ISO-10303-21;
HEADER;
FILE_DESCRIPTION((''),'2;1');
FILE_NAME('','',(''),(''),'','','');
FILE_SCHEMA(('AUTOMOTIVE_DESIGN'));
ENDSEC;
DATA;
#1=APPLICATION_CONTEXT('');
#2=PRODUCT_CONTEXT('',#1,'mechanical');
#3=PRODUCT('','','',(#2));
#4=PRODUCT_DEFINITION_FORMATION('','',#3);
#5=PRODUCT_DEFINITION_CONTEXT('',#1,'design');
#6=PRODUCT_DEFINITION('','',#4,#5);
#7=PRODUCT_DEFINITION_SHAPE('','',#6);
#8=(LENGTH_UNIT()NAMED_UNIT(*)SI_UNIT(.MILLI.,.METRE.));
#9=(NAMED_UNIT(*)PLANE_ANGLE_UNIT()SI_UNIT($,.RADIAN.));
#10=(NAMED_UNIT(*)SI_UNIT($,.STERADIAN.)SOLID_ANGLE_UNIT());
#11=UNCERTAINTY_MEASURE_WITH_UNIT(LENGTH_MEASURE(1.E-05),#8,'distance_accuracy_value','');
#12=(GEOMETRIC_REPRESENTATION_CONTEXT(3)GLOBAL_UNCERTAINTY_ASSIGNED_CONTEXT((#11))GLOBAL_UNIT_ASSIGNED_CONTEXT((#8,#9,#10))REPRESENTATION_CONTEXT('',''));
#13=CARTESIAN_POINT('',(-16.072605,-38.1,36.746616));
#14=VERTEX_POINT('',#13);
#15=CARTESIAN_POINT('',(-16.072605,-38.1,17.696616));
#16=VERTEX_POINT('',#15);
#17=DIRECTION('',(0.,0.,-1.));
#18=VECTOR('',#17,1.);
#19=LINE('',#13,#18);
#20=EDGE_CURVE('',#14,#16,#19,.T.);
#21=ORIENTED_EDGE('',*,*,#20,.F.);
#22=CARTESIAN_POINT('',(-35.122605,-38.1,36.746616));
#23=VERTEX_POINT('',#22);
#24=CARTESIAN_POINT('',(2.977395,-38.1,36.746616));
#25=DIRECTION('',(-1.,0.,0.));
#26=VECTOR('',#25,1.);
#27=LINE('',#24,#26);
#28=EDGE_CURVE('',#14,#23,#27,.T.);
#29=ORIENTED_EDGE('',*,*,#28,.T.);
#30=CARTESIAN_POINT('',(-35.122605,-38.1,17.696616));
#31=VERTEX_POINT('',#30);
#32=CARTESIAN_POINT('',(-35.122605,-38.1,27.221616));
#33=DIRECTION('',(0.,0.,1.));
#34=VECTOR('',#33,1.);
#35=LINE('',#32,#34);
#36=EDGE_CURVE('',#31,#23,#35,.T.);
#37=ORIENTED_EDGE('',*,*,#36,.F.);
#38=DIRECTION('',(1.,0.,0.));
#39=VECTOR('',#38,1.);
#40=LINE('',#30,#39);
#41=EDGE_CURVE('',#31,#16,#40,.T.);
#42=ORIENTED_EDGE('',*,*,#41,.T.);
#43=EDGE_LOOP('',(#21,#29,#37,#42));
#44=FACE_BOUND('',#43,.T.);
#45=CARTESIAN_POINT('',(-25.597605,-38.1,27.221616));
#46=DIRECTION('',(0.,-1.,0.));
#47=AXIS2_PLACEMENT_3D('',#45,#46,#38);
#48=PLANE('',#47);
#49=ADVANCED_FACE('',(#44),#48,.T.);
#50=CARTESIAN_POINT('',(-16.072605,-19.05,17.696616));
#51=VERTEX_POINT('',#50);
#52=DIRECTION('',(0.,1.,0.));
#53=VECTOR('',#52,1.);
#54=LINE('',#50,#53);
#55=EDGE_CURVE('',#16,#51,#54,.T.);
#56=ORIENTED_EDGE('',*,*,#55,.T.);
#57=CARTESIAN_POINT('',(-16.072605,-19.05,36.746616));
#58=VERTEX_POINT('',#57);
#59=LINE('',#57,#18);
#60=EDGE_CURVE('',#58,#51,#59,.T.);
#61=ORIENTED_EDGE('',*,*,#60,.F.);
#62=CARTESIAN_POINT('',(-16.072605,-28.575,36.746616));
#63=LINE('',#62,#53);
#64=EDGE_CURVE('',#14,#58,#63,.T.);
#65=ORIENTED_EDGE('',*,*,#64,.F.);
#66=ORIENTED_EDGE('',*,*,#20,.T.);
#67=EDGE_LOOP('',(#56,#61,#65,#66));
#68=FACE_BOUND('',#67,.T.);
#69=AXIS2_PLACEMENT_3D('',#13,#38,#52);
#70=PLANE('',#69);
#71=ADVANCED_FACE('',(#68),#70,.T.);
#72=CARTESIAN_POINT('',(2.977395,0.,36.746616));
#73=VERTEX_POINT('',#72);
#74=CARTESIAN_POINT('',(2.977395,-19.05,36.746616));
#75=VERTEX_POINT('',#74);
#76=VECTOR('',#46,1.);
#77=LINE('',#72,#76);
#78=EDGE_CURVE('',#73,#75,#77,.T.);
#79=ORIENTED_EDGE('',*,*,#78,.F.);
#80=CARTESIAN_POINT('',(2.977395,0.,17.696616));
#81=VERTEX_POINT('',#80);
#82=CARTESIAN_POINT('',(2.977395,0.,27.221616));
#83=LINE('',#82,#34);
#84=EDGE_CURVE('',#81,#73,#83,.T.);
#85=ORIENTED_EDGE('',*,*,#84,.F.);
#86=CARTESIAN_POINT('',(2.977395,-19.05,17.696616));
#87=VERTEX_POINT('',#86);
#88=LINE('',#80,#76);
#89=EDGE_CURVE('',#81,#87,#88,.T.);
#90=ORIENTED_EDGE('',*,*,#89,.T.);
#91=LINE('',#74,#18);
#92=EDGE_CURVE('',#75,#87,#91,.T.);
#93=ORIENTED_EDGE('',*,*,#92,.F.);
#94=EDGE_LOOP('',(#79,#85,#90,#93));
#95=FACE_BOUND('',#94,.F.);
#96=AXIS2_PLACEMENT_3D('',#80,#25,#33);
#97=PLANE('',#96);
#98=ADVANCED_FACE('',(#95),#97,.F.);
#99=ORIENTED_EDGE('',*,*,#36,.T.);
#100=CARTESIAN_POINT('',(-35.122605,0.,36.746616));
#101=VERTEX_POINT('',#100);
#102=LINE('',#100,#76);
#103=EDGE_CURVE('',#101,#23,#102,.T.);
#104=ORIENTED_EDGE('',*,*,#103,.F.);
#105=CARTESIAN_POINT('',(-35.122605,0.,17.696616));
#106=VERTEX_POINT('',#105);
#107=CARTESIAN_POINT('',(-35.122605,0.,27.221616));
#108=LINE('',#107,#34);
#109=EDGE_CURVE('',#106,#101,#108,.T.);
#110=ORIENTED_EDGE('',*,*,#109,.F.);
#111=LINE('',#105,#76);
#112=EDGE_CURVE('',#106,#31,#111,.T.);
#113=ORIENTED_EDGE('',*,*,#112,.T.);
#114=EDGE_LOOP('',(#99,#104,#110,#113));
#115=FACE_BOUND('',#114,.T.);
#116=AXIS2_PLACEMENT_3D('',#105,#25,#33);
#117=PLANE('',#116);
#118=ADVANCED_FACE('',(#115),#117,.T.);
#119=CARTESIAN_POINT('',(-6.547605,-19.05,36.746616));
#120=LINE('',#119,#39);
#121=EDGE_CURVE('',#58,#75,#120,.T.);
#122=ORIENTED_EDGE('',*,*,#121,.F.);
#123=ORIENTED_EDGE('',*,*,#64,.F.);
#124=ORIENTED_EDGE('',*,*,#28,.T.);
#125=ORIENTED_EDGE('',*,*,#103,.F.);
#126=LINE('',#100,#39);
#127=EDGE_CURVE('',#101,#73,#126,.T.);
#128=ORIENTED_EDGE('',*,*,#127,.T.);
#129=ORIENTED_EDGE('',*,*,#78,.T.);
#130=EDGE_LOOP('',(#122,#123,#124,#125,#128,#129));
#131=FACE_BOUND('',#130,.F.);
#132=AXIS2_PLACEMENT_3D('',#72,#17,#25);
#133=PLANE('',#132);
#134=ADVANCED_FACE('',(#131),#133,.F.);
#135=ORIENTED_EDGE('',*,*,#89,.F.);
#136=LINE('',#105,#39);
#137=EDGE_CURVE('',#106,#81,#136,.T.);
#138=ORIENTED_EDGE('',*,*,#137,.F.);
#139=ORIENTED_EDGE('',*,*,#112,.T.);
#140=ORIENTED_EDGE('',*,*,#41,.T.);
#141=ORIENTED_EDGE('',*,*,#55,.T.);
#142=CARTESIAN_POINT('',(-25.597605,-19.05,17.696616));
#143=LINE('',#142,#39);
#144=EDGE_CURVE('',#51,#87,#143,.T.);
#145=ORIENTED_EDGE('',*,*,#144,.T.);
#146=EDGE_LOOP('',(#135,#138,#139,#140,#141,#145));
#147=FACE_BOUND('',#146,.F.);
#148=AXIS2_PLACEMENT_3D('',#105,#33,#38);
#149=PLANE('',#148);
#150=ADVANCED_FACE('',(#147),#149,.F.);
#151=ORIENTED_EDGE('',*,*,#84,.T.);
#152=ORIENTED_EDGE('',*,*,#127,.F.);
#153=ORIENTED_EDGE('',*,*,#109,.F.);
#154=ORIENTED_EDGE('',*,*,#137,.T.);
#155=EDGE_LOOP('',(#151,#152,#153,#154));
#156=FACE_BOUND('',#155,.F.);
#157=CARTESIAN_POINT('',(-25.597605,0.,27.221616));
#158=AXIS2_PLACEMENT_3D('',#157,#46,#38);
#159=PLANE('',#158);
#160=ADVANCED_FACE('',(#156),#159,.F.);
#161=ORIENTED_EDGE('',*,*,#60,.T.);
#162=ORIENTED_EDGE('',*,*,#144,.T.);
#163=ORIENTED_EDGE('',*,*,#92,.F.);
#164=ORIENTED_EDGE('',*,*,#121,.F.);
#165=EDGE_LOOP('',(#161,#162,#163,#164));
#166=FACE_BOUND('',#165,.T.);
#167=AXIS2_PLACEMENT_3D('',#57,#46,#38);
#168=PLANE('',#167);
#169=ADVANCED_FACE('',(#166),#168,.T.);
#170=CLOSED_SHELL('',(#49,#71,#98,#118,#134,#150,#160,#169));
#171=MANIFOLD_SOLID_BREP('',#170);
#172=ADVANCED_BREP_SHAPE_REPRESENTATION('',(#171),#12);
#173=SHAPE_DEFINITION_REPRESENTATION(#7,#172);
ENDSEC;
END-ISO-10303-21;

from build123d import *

# Parameters (mm, degrees)
F0_W     = 19.05
F0_H     = 19.05
F1_DEPTH = 38.1
F2_DEPTH = 19.05
F3_W     = 19.05
F3_H     = 19.05
F4_DEPTH = 25.4


with BuildPart() as f1:
    # F0 (on Front) → F1 (new body)
    with BuildSketch(Plane.XZ):
        with Locations((-25.597605, 27.221616)):
            Rectangle(F0_W, F0_H)
        with Locations((-6.547605, 27.221616)):
            Rectangle(F0_W, F0_H)
    extrude(amount=F1_DEPTH)

    # F0 (on Front) → F2 (join)
    with BuildSketch(Plane.XZ):
        with Locations((-6.547605, 27.221616)):
            Rectangle(F0_W, F0_H)
    extrude(amount=F2_DEPTH)

    # F3 (on face) → F4 (cut)
    with BuildSketch(Plane.XY.offset(36.746616)):
        with Locations((-6.547605, -28.575)):
            Rectangle(F3_W, F3_H)
    extrude(amount=-F4_DEPTH, mode=Mode.SUBTRACT)


solid = f1.part
